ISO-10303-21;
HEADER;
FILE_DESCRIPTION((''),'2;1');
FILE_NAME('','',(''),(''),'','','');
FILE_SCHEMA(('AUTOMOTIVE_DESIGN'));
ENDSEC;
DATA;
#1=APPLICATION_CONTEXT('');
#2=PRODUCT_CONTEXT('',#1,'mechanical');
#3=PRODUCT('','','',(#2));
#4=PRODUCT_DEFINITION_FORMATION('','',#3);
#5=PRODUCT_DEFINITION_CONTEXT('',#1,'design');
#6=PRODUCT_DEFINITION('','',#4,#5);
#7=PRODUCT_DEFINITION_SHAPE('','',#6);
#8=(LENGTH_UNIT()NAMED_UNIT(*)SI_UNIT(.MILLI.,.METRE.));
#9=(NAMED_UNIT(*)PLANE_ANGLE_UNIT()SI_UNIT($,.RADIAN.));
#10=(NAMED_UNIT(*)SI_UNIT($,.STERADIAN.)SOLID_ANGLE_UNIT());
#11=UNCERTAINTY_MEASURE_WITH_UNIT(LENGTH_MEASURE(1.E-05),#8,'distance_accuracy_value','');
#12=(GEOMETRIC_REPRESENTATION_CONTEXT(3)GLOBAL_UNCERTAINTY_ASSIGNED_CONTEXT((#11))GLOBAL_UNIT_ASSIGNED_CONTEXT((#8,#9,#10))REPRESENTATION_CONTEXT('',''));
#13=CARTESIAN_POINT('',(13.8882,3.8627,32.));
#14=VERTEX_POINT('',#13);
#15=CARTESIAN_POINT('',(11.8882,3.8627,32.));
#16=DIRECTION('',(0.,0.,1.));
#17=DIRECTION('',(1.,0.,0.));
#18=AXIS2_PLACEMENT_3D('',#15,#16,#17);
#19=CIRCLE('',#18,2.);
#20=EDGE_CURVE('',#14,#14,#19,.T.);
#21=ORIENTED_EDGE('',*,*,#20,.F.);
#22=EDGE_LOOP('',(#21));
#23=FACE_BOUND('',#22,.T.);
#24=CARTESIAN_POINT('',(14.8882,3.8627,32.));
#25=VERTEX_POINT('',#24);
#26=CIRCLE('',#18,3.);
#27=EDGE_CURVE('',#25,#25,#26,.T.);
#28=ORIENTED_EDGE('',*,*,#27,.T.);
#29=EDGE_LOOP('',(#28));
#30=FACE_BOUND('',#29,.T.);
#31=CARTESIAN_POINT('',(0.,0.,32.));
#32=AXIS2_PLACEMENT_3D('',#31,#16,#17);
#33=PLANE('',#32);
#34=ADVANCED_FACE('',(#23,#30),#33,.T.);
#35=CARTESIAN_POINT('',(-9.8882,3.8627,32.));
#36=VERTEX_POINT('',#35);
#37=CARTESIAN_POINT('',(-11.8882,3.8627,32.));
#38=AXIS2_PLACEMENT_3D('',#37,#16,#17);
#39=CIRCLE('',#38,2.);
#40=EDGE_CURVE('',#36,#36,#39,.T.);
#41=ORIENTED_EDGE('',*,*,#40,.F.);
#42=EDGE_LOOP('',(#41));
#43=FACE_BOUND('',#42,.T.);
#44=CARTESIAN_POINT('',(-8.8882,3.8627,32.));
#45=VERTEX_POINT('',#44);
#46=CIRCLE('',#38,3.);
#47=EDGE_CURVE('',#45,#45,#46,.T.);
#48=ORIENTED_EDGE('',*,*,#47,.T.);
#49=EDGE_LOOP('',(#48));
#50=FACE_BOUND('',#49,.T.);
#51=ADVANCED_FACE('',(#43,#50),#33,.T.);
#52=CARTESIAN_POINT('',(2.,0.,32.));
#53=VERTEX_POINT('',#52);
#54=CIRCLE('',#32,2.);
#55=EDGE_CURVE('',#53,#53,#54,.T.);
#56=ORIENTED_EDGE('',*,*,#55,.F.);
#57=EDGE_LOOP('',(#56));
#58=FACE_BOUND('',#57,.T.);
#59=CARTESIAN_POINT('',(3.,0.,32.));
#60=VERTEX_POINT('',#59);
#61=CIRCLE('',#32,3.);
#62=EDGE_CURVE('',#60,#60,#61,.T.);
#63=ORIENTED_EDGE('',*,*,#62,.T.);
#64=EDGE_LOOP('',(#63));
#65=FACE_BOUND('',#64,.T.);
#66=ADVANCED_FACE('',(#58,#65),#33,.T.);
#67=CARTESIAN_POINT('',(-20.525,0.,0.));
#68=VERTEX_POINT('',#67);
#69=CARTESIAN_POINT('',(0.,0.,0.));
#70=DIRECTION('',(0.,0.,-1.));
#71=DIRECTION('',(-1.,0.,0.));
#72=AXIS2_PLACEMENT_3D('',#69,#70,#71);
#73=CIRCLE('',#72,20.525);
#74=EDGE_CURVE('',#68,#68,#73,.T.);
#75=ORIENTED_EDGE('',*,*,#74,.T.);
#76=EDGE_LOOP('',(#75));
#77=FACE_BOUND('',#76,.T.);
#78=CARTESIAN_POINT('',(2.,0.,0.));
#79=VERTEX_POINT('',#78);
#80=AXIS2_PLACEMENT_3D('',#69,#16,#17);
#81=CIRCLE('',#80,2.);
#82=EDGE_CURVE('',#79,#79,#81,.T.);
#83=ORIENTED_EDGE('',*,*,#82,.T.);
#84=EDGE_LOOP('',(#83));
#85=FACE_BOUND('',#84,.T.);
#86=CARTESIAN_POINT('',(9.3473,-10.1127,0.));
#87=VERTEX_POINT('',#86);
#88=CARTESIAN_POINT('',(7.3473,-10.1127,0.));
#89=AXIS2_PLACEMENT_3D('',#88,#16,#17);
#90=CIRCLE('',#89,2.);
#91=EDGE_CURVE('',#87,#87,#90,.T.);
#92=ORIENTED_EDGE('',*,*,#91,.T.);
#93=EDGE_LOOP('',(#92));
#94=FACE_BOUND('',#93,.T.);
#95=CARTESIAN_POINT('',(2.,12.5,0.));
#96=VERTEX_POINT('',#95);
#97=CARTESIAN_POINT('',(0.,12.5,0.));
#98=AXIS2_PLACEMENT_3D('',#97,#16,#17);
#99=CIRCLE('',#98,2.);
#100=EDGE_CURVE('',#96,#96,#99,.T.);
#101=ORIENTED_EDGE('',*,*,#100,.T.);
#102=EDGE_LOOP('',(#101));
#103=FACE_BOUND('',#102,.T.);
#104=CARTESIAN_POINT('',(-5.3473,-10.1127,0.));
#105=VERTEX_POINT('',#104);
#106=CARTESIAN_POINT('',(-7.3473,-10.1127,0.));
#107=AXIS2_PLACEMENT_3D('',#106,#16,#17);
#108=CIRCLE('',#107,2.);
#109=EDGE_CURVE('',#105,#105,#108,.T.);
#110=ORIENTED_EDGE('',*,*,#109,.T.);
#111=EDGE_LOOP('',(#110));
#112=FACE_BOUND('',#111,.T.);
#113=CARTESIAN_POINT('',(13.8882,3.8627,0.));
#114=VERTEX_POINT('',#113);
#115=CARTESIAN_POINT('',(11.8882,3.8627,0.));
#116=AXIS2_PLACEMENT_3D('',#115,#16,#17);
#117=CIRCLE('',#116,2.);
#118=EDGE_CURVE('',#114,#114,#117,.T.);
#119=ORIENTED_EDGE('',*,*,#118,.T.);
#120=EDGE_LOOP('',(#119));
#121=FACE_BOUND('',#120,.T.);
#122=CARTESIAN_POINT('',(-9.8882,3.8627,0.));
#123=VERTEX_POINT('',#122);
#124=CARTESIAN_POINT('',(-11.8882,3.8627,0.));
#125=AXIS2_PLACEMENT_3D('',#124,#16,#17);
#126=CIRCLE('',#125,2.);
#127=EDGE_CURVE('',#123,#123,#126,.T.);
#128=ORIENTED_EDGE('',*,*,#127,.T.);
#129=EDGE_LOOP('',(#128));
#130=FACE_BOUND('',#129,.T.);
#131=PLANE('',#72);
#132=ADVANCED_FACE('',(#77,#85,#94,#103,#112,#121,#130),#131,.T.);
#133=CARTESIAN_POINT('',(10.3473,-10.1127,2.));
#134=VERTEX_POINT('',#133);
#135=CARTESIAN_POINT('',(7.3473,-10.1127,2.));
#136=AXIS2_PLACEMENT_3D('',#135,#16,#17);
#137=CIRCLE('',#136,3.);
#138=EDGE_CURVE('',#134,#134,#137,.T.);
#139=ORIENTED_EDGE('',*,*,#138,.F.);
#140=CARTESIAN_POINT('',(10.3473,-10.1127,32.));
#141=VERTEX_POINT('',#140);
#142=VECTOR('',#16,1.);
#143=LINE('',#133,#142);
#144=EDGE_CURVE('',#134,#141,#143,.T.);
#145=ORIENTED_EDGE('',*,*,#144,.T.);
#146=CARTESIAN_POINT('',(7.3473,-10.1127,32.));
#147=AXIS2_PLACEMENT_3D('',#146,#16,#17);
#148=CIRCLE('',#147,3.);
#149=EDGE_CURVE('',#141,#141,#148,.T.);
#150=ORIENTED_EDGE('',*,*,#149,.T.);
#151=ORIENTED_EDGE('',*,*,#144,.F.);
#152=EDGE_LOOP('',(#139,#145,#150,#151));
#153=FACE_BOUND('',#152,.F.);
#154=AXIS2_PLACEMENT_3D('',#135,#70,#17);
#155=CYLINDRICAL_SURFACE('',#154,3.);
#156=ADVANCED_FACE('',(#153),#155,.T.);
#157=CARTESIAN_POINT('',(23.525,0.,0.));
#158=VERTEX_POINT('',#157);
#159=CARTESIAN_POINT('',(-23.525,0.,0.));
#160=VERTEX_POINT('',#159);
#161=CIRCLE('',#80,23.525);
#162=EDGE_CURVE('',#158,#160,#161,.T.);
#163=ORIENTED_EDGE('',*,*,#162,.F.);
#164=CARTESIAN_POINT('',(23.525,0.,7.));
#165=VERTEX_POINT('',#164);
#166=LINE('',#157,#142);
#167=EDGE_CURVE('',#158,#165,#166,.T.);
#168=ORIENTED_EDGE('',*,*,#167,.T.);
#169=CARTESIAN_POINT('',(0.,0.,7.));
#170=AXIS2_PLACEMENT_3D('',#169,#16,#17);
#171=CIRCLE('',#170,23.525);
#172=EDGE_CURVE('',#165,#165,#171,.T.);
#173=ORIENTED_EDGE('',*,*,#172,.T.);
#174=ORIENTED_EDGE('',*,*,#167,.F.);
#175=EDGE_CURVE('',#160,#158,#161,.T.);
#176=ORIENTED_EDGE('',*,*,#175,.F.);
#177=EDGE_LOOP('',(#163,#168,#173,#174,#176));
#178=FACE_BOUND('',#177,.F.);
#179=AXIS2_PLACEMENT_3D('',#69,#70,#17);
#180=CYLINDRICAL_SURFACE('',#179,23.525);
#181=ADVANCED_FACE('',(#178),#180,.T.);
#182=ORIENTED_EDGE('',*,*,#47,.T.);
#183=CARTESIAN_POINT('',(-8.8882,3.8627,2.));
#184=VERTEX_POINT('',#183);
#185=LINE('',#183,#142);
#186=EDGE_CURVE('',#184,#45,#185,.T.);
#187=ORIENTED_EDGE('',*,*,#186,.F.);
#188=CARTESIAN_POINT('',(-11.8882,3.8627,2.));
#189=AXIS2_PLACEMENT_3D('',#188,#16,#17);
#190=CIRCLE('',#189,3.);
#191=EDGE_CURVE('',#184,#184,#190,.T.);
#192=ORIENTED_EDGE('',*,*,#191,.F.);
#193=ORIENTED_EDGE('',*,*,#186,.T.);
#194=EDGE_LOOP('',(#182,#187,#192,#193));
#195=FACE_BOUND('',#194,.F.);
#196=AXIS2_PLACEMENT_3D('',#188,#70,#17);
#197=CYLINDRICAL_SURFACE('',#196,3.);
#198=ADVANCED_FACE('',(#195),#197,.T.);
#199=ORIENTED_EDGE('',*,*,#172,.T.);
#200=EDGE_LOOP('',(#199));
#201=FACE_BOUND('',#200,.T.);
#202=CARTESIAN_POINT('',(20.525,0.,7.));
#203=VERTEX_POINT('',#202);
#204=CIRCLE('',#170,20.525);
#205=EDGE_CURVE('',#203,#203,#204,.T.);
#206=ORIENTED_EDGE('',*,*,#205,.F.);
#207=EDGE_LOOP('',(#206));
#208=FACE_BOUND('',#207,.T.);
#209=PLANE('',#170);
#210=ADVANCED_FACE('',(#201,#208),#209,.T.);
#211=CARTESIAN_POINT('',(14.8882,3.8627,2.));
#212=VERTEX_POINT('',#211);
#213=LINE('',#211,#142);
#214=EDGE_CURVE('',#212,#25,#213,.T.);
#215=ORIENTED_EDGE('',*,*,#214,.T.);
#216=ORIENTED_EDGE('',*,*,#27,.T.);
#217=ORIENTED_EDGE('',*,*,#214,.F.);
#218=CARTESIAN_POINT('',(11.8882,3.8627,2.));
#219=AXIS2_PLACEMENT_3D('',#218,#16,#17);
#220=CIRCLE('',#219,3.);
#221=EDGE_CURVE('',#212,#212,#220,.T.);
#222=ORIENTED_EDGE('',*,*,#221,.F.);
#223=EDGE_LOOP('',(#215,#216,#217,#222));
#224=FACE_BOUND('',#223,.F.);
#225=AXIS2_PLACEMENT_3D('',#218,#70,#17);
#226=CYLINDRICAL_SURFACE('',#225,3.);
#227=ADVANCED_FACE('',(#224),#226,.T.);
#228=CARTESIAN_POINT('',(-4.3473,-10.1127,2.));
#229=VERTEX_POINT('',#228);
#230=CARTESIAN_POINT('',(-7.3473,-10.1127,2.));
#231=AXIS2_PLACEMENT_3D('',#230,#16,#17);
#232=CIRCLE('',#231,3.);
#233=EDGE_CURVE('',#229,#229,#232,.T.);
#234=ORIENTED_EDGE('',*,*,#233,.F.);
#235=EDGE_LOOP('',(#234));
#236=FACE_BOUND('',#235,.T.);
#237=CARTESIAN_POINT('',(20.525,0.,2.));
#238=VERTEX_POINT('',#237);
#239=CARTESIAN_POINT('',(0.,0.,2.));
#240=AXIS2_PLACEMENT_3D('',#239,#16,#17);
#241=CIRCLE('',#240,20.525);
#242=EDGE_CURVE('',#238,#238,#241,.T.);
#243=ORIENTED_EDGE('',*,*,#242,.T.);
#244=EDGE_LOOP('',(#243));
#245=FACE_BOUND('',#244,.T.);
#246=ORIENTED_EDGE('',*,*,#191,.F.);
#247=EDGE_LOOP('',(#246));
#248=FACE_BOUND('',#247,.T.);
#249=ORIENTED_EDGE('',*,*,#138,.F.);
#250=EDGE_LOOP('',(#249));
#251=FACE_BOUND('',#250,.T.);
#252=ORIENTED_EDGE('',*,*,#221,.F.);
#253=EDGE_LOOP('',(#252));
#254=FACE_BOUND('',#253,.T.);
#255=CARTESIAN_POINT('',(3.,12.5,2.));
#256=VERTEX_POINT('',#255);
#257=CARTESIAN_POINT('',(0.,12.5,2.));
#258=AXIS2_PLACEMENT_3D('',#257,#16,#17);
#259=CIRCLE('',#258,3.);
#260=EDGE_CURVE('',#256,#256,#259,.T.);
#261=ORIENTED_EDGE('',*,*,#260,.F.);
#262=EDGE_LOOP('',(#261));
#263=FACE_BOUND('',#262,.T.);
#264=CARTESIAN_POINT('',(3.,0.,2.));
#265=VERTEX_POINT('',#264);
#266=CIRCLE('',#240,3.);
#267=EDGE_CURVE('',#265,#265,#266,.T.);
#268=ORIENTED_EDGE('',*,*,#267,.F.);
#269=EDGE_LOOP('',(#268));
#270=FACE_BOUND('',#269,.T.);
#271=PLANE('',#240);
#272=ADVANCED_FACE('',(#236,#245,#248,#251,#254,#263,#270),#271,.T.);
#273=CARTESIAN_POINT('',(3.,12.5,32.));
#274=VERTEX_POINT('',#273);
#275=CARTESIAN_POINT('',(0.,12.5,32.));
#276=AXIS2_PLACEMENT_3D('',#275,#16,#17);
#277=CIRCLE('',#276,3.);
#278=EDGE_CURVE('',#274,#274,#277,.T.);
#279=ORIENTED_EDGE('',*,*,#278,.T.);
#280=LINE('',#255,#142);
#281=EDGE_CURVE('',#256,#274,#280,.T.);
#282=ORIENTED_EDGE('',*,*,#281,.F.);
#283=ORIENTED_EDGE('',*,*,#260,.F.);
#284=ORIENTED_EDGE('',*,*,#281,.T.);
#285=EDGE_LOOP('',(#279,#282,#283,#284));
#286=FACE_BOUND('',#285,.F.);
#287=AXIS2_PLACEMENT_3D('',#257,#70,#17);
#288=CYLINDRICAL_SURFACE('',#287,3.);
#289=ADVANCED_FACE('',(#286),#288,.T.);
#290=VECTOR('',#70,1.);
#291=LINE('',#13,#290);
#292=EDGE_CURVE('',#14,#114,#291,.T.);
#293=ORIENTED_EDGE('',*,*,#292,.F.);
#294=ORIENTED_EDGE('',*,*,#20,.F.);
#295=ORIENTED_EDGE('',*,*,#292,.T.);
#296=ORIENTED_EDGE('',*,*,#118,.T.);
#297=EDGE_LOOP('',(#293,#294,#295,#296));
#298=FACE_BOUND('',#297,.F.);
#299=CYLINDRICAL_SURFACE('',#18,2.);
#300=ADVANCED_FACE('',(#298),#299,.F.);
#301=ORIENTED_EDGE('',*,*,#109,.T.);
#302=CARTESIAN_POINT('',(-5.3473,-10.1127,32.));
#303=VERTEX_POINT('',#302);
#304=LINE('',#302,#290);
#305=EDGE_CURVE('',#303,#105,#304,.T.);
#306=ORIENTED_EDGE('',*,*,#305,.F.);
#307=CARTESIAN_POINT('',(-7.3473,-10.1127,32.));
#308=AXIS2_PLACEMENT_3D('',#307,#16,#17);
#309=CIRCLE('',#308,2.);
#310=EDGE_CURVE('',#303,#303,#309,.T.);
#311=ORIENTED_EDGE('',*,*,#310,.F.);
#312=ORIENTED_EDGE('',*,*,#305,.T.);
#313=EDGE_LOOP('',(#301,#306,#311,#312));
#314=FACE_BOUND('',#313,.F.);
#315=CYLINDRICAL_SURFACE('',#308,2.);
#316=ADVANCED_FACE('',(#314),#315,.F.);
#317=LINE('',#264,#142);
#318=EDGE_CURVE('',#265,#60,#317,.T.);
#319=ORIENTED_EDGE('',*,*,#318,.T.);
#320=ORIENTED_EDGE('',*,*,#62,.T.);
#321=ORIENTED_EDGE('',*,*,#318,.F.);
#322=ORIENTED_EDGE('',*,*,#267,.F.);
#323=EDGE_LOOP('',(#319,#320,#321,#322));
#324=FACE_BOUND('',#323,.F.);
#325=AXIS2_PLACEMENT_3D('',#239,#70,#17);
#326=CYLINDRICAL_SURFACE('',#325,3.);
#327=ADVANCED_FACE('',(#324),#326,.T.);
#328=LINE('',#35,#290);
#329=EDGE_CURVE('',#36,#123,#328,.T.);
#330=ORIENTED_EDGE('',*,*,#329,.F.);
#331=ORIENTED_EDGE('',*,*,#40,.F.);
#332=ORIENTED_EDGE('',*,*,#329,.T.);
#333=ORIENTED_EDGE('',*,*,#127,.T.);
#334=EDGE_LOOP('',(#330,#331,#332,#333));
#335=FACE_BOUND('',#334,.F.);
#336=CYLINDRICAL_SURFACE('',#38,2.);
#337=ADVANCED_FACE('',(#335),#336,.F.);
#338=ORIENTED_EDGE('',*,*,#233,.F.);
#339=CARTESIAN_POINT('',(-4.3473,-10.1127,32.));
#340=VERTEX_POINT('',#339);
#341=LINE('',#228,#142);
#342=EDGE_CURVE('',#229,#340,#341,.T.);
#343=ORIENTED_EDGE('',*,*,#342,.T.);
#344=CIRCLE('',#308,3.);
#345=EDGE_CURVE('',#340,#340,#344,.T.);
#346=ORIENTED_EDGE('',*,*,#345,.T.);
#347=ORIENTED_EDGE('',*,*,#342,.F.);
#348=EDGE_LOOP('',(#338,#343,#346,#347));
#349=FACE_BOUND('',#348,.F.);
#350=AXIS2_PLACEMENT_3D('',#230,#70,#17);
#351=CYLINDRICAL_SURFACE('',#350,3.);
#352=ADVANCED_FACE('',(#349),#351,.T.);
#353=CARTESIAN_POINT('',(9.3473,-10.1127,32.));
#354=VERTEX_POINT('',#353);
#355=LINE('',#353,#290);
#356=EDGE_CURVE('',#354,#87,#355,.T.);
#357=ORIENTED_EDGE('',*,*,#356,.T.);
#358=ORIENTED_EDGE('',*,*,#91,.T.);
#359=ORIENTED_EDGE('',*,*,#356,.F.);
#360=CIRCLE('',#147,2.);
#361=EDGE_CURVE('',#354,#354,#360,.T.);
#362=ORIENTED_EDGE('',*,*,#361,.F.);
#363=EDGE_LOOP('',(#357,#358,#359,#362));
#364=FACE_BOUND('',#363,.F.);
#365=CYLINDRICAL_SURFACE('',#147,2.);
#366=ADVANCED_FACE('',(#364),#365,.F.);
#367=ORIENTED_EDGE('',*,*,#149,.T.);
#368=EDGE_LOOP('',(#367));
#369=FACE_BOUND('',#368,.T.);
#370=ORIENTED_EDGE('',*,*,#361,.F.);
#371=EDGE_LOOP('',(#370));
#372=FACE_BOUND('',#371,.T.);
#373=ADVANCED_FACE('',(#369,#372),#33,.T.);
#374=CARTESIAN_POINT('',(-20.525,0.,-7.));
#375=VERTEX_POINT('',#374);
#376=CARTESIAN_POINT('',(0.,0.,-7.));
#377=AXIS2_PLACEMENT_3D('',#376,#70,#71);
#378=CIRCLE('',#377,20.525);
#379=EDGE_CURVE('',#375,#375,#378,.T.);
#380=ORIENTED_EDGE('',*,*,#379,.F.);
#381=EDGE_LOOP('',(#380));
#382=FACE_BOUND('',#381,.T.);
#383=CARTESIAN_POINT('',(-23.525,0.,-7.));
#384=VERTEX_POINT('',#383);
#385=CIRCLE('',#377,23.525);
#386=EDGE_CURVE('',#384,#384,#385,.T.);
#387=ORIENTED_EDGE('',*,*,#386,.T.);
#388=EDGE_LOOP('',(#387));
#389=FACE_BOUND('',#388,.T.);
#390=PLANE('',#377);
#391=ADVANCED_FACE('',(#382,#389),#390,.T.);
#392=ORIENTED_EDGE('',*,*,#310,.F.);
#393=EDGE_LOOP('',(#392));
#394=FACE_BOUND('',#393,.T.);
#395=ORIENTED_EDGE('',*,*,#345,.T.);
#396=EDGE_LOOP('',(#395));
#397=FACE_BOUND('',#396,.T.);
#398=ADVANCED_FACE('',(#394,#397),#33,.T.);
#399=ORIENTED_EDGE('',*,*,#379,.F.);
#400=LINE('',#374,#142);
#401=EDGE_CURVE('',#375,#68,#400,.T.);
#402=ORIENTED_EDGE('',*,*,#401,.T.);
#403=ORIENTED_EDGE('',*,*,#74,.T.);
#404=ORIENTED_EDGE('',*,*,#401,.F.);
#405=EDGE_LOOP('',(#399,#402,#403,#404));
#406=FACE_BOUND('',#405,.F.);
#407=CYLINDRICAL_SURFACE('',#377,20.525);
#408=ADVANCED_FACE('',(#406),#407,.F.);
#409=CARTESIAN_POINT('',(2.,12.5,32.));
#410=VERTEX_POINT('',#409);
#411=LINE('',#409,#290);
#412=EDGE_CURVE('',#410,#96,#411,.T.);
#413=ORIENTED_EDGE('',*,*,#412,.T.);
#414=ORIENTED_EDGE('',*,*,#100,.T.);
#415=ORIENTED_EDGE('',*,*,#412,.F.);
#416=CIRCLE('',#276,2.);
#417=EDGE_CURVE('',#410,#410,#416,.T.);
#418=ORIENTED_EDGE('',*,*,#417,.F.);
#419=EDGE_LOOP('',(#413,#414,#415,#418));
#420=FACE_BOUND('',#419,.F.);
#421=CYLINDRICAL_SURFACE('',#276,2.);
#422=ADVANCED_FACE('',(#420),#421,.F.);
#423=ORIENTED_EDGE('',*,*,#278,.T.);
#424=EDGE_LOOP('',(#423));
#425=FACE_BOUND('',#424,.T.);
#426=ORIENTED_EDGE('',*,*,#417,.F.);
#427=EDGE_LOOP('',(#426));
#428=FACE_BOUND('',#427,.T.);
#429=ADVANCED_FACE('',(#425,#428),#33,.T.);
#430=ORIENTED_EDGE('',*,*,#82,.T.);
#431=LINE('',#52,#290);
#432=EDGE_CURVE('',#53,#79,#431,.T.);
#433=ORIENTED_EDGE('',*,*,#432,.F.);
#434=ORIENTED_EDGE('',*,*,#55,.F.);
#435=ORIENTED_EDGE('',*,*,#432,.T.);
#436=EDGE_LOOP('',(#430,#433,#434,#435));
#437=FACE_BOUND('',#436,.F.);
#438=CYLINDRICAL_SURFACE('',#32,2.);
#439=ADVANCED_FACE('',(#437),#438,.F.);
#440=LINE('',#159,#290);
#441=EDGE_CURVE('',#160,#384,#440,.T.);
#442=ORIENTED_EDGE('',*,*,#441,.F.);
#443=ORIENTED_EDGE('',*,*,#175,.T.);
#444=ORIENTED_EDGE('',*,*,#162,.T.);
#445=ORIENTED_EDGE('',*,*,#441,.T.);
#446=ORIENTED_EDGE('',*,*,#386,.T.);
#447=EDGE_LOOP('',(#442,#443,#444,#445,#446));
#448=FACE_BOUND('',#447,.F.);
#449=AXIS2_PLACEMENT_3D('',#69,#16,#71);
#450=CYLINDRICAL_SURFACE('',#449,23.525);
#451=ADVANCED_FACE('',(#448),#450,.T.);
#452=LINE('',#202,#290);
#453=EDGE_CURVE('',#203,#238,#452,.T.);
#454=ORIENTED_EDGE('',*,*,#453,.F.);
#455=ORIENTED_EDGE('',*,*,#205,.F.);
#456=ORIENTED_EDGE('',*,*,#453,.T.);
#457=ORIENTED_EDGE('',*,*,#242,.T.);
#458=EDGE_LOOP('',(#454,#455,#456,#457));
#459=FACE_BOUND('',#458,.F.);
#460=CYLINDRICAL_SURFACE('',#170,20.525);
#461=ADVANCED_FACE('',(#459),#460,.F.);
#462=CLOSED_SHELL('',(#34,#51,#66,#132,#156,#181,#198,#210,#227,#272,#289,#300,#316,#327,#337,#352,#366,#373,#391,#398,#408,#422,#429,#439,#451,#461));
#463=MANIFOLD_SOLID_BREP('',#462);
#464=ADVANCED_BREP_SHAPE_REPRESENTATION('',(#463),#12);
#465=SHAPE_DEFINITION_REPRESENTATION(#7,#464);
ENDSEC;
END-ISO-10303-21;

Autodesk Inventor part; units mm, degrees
ref_plane "YZ Plane" through (0, 0, 0) normal (1, 0, 0) x (0, 1, 0)
ref_plane "XZ Plane" through (0, 0, 0) normal (0, 1, 0) x (-1, 0, 0)
ref_plane "XY Plane" through (0, 0, 0) normal (0, 0, 1) x (1, 0, 0)
sketch "Boceto1" plane through (0, 0, 0) normal (0, 0, 1) x (1, 0, 0)
  line L0 (0, 55.4788) -> (0, -87.4245) construction
  line L1 (-101.2305, 0) -> (87.3085, 0) construction
  circle A0 centre (0, 0) radius 23.525
  dimension "d0" = 47.05
extrude "Extrusión1" add sketch "Boceto1" along normal blind 7
sketch "Boceto2" plane through (0, 0, 7) normal (0, 0, 1) x (1, 0, 0)
  circle A0 centre (0, 0) radius 20.525
  dimension "d3" = 41.05
extrude "Extrusión2" cut sketch "Boceto2" against normal blind 5
sketch "Boceto4" plane through (0, 0, 2) normal (0, 0, 1) x (1, 0, 0)
  line L0 (0, 23.5497) -> (0, -28.0756) construction
  line L1 (-25.4254, 0) -> (29.9443, 0) construction
  circle A0 centre (0, 0) radius 3
  circle A1 centre (0, 0) radius 12.5 construction
  circle A2 centre (0, 12.5) radius 3
  circle A3 centre (-11.8882, 3.8627) radius 3
  circle A4 centre (-7.3473, -10.1127) radius 3
  circle A5 centre (7.3473, -10.1127) radius 3
  circle A6 centre (11.8882, 3.8627) radius 3
  dimension "d16" = 25
  dimension "d15" = 6
  dimension "d17" = 6
  dimension "d20" = 360
extrude "Extrusión4" add sketch "Boceto4" along normal blind 30
sketch "Boceto5" plane through (0, 0, 32) normal (0, 0, 1) x (1, 0, 0)
  circle A0 centre (0, 0) radius 2
  circle A1 centre (-11.8882, 3.8627) radius 3 projected
  circle A2 centre (-11.8882, 3.8627) radius 2
  circle A3 centre (-7.3473, -10.1127) radius 2
  circle A4 centre (7.3473, -10.1127) radius 2
  circle A5 centre (11.8882, 3.8627) radius 2
  circle A6 centre (0, 12.5) radius 2
  dimension "d24" = 4
  dimension "d25" = 4
  dimension "d28" = 360
extrude "Extrusión5" cut sketch "Boceto5" against normal blind 40 contours A0 | A2 | A3 | A4 | A5 | A6
sketch "Boceto6" plane through (0, 0, 0) normal (0, 0, -1) x (-1, 0, 0)
  circle A0 centre (0, 0) radius 23.525
  dimension "d32" = 47.05
extrude "Extrusión6" add sketch "Boceto6" along normal blind 7
sketch "Boceto7" plane through (0, 0, -7) normal (0, 0, -1) x (-1, 0, 0)
  circle A0 centre (0, 0) radius 2 projected
  circle A1 centre (0, 0) radius 20.525
  dimension "d35" = 41.05
extrude "Extrusión7" cut sketch "Boceto7" against normal blind 7 contours A0 | A1
properties part number "TAPA CAPSULA"
